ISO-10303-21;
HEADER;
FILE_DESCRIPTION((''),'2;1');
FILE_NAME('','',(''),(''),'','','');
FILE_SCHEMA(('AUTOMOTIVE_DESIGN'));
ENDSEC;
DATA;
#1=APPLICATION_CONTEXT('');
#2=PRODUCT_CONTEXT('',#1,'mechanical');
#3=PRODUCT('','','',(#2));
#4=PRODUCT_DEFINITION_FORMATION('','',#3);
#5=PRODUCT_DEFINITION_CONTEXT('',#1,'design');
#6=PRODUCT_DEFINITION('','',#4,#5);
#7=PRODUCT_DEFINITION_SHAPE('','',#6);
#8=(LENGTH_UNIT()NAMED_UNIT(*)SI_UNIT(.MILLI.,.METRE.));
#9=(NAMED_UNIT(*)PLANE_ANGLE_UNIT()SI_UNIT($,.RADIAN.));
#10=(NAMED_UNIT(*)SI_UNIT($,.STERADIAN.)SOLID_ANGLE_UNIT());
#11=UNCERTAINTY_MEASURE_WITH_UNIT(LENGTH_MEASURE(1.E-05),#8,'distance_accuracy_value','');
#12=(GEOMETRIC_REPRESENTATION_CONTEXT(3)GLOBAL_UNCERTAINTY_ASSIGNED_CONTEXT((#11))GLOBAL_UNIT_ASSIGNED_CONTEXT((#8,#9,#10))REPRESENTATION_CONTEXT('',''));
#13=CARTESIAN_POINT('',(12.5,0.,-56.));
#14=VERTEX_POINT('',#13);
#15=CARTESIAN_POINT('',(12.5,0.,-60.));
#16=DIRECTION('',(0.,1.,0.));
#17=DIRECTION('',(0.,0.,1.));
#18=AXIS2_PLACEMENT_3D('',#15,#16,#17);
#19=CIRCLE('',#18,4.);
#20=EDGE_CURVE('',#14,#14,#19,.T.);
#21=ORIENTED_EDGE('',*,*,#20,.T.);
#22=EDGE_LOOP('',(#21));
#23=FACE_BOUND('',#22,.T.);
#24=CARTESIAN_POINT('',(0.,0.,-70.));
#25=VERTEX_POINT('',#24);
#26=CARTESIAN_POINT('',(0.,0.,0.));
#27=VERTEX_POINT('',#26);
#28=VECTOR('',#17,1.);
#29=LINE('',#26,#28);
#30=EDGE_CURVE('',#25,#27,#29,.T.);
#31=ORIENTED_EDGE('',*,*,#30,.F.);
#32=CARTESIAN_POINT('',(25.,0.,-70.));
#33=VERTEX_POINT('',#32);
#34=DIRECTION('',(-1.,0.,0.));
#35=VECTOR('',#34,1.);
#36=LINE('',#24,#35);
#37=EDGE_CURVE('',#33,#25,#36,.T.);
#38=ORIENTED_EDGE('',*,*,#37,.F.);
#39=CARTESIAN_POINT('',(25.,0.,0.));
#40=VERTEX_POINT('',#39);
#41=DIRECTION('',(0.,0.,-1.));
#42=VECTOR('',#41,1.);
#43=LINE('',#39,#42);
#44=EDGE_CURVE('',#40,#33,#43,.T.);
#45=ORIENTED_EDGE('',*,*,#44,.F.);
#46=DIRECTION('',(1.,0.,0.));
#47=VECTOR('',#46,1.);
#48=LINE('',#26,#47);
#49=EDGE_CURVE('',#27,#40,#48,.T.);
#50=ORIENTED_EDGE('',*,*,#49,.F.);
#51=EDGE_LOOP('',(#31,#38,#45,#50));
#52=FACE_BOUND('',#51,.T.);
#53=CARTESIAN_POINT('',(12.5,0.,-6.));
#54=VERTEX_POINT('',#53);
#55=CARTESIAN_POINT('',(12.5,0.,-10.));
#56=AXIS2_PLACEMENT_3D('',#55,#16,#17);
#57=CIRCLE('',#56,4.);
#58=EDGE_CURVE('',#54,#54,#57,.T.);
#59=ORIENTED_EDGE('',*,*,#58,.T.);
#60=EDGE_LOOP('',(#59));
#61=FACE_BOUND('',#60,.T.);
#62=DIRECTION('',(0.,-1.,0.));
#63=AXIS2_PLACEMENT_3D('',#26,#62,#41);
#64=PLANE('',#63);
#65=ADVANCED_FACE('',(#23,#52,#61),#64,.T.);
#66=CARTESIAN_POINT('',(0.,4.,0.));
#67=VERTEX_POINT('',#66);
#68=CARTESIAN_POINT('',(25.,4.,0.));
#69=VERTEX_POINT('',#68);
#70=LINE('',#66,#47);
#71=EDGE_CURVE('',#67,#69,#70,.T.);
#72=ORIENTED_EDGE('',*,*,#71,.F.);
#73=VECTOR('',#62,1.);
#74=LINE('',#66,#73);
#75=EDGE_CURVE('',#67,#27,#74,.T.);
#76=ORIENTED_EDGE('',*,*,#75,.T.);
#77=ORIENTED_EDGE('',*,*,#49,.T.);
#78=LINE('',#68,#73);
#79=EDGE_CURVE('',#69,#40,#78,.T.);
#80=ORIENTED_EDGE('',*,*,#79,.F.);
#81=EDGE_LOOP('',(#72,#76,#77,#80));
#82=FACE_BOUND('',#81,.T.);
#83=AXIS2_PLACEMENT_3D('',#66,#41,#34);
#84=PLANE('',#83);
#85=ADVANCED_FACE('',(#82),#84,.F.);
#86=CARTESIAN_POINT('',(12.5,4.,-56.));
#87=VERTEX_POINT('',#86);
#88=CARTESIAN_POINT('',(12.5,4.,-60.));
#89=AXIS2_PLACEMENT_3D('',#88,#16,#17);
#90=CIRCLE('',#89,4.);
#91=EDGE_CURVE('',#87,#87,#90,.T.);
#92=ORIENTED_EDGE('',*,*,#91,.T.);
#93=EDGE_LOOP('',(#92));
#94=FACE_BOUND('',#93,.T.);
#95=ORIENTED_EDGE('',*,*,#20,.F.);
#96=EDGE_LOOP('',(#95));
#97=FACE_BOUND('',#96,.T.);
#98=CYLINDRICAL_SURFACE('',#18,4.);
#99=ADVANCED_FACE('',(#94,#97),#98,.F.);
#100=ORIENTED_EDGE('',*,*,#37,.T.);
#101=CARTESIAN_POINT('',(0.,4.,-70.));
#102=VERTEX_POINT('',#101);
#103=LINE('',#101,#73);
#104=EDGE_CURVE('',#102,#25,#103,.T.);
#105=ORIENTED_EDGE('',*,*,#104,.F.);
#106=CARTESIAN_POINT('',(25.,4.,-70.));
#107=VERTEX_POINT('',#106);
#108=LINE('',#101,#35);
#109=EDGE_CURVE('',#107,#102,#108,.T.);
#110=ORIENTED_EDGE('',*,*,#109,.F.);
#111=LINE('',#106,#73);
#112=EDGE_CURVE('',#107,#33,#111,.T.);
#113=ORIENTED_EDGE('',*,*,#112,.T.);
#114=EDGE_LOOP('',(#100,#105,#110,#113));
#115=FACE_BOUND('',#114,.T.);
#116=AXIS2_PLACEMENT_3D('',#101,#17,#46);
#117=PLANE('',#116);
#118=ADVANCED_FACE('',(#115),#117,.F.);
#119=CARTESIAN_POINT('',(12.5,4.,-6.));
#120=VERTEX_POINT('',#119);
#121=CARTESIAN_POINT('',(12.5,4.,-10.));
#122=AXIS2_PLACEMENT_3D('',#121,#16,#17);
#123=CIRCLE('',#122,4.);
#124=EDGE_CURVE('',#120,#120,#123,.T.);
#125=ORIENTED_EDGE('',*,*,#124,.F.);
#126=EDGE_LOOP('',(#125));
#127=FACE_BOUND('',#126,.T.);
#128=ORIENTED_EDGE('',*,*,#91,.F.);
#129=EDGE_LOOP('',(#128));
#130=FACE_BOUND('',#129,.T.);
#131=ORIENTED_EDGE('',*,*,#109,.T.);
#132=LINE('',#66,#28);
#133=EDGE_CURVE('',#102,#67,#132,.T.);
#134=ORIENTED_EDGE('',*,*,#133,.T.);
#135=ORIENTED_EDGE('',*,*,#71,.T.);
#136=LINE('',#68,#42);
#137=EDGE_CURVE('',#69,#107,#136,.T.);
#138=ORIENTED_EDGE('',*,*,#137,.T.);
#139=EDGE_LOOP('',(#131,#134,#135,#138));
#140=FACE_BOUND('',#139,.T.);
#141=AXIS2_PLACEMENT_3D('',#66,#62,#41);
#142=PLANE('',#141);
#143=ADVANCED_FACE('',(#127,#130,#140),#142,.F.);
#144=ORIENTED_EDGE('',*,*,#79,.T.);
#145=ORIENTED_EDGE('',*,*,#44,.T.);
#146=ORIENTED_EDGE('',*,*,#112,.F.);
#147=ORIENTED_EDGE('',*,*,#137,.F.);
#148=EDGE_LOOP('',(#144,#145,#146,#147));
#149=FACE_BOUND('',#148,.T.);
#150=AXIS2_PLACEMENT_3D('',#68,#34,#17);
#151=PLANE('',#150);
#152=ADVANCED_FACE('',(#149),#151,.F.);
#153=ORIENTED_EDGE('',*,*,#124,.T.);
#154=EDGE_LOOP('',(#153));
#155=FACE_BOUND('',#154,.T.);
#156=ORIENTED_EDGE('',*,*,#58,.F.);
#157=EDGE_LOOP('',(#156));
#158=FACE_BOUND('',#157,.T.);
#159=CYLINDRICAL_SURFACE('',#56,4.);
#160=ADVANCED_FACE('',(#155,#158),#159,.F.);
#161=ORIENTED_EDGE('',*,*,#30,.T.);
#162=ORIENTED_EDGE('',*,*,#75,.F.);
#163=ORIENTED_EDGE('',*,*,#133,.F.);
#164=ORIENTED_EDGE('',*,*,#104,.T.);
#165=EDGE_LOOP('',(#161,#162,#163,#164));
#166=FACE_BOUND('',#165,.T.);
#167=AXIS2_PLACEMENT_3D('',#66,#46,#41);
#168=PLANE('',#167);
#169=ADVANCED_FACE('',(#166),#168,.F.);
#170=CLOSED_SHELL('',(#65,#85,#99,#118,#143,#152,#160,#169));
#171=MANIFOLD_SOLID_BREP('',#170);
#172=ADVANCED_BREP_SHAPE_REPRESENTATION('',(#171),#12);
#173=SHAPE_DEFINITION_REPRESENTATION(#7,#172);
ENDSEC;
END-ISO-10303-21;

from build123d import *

# Parameters (mm, degrees)
SKETCH1_W           = 25
SKETCH1_H           = 70
BOSS_EXTRUDE1_DEPTH = 4
SKETCH2_R           = 4
CUT_EXTRUDE1_DEPTH  = 75.437893576


with BuildPart() as part:
    # Sketch1 → Boss-Extrude1 (new body)
    with BuildSketch(Plane(origin=(0, 0, 0), x_dir=(1, 0, 0), z_dir=(0, 1, 0))):
        with Locations((12.5, 35)):
            Rectangle(SKETCH1_W, SKETCH1_H)
    extrude(amount=BOSS_EXTRUDE1_DEPTH)

    # Sketch2 → Cut-Extrude1 (cut, through all)
    with BuildSketch(Plane(origin=(0, 4, 0), x_dir=(1, 0, 0), z_dir=(0, 1, 0))):
        with Locations(Location((12.5, 60, 0), (0, 0, 270))):
            Circle(SKETCH2_R)
        with Locations(Location((12.5, 10, 0), (0, 0, 270))):
            Circle(SKETCH2_R)
    extrude(amount=-CUT_EXTRUDE1_DEPTH, mode=Mode.SUBTRACT)


solid = part.part
